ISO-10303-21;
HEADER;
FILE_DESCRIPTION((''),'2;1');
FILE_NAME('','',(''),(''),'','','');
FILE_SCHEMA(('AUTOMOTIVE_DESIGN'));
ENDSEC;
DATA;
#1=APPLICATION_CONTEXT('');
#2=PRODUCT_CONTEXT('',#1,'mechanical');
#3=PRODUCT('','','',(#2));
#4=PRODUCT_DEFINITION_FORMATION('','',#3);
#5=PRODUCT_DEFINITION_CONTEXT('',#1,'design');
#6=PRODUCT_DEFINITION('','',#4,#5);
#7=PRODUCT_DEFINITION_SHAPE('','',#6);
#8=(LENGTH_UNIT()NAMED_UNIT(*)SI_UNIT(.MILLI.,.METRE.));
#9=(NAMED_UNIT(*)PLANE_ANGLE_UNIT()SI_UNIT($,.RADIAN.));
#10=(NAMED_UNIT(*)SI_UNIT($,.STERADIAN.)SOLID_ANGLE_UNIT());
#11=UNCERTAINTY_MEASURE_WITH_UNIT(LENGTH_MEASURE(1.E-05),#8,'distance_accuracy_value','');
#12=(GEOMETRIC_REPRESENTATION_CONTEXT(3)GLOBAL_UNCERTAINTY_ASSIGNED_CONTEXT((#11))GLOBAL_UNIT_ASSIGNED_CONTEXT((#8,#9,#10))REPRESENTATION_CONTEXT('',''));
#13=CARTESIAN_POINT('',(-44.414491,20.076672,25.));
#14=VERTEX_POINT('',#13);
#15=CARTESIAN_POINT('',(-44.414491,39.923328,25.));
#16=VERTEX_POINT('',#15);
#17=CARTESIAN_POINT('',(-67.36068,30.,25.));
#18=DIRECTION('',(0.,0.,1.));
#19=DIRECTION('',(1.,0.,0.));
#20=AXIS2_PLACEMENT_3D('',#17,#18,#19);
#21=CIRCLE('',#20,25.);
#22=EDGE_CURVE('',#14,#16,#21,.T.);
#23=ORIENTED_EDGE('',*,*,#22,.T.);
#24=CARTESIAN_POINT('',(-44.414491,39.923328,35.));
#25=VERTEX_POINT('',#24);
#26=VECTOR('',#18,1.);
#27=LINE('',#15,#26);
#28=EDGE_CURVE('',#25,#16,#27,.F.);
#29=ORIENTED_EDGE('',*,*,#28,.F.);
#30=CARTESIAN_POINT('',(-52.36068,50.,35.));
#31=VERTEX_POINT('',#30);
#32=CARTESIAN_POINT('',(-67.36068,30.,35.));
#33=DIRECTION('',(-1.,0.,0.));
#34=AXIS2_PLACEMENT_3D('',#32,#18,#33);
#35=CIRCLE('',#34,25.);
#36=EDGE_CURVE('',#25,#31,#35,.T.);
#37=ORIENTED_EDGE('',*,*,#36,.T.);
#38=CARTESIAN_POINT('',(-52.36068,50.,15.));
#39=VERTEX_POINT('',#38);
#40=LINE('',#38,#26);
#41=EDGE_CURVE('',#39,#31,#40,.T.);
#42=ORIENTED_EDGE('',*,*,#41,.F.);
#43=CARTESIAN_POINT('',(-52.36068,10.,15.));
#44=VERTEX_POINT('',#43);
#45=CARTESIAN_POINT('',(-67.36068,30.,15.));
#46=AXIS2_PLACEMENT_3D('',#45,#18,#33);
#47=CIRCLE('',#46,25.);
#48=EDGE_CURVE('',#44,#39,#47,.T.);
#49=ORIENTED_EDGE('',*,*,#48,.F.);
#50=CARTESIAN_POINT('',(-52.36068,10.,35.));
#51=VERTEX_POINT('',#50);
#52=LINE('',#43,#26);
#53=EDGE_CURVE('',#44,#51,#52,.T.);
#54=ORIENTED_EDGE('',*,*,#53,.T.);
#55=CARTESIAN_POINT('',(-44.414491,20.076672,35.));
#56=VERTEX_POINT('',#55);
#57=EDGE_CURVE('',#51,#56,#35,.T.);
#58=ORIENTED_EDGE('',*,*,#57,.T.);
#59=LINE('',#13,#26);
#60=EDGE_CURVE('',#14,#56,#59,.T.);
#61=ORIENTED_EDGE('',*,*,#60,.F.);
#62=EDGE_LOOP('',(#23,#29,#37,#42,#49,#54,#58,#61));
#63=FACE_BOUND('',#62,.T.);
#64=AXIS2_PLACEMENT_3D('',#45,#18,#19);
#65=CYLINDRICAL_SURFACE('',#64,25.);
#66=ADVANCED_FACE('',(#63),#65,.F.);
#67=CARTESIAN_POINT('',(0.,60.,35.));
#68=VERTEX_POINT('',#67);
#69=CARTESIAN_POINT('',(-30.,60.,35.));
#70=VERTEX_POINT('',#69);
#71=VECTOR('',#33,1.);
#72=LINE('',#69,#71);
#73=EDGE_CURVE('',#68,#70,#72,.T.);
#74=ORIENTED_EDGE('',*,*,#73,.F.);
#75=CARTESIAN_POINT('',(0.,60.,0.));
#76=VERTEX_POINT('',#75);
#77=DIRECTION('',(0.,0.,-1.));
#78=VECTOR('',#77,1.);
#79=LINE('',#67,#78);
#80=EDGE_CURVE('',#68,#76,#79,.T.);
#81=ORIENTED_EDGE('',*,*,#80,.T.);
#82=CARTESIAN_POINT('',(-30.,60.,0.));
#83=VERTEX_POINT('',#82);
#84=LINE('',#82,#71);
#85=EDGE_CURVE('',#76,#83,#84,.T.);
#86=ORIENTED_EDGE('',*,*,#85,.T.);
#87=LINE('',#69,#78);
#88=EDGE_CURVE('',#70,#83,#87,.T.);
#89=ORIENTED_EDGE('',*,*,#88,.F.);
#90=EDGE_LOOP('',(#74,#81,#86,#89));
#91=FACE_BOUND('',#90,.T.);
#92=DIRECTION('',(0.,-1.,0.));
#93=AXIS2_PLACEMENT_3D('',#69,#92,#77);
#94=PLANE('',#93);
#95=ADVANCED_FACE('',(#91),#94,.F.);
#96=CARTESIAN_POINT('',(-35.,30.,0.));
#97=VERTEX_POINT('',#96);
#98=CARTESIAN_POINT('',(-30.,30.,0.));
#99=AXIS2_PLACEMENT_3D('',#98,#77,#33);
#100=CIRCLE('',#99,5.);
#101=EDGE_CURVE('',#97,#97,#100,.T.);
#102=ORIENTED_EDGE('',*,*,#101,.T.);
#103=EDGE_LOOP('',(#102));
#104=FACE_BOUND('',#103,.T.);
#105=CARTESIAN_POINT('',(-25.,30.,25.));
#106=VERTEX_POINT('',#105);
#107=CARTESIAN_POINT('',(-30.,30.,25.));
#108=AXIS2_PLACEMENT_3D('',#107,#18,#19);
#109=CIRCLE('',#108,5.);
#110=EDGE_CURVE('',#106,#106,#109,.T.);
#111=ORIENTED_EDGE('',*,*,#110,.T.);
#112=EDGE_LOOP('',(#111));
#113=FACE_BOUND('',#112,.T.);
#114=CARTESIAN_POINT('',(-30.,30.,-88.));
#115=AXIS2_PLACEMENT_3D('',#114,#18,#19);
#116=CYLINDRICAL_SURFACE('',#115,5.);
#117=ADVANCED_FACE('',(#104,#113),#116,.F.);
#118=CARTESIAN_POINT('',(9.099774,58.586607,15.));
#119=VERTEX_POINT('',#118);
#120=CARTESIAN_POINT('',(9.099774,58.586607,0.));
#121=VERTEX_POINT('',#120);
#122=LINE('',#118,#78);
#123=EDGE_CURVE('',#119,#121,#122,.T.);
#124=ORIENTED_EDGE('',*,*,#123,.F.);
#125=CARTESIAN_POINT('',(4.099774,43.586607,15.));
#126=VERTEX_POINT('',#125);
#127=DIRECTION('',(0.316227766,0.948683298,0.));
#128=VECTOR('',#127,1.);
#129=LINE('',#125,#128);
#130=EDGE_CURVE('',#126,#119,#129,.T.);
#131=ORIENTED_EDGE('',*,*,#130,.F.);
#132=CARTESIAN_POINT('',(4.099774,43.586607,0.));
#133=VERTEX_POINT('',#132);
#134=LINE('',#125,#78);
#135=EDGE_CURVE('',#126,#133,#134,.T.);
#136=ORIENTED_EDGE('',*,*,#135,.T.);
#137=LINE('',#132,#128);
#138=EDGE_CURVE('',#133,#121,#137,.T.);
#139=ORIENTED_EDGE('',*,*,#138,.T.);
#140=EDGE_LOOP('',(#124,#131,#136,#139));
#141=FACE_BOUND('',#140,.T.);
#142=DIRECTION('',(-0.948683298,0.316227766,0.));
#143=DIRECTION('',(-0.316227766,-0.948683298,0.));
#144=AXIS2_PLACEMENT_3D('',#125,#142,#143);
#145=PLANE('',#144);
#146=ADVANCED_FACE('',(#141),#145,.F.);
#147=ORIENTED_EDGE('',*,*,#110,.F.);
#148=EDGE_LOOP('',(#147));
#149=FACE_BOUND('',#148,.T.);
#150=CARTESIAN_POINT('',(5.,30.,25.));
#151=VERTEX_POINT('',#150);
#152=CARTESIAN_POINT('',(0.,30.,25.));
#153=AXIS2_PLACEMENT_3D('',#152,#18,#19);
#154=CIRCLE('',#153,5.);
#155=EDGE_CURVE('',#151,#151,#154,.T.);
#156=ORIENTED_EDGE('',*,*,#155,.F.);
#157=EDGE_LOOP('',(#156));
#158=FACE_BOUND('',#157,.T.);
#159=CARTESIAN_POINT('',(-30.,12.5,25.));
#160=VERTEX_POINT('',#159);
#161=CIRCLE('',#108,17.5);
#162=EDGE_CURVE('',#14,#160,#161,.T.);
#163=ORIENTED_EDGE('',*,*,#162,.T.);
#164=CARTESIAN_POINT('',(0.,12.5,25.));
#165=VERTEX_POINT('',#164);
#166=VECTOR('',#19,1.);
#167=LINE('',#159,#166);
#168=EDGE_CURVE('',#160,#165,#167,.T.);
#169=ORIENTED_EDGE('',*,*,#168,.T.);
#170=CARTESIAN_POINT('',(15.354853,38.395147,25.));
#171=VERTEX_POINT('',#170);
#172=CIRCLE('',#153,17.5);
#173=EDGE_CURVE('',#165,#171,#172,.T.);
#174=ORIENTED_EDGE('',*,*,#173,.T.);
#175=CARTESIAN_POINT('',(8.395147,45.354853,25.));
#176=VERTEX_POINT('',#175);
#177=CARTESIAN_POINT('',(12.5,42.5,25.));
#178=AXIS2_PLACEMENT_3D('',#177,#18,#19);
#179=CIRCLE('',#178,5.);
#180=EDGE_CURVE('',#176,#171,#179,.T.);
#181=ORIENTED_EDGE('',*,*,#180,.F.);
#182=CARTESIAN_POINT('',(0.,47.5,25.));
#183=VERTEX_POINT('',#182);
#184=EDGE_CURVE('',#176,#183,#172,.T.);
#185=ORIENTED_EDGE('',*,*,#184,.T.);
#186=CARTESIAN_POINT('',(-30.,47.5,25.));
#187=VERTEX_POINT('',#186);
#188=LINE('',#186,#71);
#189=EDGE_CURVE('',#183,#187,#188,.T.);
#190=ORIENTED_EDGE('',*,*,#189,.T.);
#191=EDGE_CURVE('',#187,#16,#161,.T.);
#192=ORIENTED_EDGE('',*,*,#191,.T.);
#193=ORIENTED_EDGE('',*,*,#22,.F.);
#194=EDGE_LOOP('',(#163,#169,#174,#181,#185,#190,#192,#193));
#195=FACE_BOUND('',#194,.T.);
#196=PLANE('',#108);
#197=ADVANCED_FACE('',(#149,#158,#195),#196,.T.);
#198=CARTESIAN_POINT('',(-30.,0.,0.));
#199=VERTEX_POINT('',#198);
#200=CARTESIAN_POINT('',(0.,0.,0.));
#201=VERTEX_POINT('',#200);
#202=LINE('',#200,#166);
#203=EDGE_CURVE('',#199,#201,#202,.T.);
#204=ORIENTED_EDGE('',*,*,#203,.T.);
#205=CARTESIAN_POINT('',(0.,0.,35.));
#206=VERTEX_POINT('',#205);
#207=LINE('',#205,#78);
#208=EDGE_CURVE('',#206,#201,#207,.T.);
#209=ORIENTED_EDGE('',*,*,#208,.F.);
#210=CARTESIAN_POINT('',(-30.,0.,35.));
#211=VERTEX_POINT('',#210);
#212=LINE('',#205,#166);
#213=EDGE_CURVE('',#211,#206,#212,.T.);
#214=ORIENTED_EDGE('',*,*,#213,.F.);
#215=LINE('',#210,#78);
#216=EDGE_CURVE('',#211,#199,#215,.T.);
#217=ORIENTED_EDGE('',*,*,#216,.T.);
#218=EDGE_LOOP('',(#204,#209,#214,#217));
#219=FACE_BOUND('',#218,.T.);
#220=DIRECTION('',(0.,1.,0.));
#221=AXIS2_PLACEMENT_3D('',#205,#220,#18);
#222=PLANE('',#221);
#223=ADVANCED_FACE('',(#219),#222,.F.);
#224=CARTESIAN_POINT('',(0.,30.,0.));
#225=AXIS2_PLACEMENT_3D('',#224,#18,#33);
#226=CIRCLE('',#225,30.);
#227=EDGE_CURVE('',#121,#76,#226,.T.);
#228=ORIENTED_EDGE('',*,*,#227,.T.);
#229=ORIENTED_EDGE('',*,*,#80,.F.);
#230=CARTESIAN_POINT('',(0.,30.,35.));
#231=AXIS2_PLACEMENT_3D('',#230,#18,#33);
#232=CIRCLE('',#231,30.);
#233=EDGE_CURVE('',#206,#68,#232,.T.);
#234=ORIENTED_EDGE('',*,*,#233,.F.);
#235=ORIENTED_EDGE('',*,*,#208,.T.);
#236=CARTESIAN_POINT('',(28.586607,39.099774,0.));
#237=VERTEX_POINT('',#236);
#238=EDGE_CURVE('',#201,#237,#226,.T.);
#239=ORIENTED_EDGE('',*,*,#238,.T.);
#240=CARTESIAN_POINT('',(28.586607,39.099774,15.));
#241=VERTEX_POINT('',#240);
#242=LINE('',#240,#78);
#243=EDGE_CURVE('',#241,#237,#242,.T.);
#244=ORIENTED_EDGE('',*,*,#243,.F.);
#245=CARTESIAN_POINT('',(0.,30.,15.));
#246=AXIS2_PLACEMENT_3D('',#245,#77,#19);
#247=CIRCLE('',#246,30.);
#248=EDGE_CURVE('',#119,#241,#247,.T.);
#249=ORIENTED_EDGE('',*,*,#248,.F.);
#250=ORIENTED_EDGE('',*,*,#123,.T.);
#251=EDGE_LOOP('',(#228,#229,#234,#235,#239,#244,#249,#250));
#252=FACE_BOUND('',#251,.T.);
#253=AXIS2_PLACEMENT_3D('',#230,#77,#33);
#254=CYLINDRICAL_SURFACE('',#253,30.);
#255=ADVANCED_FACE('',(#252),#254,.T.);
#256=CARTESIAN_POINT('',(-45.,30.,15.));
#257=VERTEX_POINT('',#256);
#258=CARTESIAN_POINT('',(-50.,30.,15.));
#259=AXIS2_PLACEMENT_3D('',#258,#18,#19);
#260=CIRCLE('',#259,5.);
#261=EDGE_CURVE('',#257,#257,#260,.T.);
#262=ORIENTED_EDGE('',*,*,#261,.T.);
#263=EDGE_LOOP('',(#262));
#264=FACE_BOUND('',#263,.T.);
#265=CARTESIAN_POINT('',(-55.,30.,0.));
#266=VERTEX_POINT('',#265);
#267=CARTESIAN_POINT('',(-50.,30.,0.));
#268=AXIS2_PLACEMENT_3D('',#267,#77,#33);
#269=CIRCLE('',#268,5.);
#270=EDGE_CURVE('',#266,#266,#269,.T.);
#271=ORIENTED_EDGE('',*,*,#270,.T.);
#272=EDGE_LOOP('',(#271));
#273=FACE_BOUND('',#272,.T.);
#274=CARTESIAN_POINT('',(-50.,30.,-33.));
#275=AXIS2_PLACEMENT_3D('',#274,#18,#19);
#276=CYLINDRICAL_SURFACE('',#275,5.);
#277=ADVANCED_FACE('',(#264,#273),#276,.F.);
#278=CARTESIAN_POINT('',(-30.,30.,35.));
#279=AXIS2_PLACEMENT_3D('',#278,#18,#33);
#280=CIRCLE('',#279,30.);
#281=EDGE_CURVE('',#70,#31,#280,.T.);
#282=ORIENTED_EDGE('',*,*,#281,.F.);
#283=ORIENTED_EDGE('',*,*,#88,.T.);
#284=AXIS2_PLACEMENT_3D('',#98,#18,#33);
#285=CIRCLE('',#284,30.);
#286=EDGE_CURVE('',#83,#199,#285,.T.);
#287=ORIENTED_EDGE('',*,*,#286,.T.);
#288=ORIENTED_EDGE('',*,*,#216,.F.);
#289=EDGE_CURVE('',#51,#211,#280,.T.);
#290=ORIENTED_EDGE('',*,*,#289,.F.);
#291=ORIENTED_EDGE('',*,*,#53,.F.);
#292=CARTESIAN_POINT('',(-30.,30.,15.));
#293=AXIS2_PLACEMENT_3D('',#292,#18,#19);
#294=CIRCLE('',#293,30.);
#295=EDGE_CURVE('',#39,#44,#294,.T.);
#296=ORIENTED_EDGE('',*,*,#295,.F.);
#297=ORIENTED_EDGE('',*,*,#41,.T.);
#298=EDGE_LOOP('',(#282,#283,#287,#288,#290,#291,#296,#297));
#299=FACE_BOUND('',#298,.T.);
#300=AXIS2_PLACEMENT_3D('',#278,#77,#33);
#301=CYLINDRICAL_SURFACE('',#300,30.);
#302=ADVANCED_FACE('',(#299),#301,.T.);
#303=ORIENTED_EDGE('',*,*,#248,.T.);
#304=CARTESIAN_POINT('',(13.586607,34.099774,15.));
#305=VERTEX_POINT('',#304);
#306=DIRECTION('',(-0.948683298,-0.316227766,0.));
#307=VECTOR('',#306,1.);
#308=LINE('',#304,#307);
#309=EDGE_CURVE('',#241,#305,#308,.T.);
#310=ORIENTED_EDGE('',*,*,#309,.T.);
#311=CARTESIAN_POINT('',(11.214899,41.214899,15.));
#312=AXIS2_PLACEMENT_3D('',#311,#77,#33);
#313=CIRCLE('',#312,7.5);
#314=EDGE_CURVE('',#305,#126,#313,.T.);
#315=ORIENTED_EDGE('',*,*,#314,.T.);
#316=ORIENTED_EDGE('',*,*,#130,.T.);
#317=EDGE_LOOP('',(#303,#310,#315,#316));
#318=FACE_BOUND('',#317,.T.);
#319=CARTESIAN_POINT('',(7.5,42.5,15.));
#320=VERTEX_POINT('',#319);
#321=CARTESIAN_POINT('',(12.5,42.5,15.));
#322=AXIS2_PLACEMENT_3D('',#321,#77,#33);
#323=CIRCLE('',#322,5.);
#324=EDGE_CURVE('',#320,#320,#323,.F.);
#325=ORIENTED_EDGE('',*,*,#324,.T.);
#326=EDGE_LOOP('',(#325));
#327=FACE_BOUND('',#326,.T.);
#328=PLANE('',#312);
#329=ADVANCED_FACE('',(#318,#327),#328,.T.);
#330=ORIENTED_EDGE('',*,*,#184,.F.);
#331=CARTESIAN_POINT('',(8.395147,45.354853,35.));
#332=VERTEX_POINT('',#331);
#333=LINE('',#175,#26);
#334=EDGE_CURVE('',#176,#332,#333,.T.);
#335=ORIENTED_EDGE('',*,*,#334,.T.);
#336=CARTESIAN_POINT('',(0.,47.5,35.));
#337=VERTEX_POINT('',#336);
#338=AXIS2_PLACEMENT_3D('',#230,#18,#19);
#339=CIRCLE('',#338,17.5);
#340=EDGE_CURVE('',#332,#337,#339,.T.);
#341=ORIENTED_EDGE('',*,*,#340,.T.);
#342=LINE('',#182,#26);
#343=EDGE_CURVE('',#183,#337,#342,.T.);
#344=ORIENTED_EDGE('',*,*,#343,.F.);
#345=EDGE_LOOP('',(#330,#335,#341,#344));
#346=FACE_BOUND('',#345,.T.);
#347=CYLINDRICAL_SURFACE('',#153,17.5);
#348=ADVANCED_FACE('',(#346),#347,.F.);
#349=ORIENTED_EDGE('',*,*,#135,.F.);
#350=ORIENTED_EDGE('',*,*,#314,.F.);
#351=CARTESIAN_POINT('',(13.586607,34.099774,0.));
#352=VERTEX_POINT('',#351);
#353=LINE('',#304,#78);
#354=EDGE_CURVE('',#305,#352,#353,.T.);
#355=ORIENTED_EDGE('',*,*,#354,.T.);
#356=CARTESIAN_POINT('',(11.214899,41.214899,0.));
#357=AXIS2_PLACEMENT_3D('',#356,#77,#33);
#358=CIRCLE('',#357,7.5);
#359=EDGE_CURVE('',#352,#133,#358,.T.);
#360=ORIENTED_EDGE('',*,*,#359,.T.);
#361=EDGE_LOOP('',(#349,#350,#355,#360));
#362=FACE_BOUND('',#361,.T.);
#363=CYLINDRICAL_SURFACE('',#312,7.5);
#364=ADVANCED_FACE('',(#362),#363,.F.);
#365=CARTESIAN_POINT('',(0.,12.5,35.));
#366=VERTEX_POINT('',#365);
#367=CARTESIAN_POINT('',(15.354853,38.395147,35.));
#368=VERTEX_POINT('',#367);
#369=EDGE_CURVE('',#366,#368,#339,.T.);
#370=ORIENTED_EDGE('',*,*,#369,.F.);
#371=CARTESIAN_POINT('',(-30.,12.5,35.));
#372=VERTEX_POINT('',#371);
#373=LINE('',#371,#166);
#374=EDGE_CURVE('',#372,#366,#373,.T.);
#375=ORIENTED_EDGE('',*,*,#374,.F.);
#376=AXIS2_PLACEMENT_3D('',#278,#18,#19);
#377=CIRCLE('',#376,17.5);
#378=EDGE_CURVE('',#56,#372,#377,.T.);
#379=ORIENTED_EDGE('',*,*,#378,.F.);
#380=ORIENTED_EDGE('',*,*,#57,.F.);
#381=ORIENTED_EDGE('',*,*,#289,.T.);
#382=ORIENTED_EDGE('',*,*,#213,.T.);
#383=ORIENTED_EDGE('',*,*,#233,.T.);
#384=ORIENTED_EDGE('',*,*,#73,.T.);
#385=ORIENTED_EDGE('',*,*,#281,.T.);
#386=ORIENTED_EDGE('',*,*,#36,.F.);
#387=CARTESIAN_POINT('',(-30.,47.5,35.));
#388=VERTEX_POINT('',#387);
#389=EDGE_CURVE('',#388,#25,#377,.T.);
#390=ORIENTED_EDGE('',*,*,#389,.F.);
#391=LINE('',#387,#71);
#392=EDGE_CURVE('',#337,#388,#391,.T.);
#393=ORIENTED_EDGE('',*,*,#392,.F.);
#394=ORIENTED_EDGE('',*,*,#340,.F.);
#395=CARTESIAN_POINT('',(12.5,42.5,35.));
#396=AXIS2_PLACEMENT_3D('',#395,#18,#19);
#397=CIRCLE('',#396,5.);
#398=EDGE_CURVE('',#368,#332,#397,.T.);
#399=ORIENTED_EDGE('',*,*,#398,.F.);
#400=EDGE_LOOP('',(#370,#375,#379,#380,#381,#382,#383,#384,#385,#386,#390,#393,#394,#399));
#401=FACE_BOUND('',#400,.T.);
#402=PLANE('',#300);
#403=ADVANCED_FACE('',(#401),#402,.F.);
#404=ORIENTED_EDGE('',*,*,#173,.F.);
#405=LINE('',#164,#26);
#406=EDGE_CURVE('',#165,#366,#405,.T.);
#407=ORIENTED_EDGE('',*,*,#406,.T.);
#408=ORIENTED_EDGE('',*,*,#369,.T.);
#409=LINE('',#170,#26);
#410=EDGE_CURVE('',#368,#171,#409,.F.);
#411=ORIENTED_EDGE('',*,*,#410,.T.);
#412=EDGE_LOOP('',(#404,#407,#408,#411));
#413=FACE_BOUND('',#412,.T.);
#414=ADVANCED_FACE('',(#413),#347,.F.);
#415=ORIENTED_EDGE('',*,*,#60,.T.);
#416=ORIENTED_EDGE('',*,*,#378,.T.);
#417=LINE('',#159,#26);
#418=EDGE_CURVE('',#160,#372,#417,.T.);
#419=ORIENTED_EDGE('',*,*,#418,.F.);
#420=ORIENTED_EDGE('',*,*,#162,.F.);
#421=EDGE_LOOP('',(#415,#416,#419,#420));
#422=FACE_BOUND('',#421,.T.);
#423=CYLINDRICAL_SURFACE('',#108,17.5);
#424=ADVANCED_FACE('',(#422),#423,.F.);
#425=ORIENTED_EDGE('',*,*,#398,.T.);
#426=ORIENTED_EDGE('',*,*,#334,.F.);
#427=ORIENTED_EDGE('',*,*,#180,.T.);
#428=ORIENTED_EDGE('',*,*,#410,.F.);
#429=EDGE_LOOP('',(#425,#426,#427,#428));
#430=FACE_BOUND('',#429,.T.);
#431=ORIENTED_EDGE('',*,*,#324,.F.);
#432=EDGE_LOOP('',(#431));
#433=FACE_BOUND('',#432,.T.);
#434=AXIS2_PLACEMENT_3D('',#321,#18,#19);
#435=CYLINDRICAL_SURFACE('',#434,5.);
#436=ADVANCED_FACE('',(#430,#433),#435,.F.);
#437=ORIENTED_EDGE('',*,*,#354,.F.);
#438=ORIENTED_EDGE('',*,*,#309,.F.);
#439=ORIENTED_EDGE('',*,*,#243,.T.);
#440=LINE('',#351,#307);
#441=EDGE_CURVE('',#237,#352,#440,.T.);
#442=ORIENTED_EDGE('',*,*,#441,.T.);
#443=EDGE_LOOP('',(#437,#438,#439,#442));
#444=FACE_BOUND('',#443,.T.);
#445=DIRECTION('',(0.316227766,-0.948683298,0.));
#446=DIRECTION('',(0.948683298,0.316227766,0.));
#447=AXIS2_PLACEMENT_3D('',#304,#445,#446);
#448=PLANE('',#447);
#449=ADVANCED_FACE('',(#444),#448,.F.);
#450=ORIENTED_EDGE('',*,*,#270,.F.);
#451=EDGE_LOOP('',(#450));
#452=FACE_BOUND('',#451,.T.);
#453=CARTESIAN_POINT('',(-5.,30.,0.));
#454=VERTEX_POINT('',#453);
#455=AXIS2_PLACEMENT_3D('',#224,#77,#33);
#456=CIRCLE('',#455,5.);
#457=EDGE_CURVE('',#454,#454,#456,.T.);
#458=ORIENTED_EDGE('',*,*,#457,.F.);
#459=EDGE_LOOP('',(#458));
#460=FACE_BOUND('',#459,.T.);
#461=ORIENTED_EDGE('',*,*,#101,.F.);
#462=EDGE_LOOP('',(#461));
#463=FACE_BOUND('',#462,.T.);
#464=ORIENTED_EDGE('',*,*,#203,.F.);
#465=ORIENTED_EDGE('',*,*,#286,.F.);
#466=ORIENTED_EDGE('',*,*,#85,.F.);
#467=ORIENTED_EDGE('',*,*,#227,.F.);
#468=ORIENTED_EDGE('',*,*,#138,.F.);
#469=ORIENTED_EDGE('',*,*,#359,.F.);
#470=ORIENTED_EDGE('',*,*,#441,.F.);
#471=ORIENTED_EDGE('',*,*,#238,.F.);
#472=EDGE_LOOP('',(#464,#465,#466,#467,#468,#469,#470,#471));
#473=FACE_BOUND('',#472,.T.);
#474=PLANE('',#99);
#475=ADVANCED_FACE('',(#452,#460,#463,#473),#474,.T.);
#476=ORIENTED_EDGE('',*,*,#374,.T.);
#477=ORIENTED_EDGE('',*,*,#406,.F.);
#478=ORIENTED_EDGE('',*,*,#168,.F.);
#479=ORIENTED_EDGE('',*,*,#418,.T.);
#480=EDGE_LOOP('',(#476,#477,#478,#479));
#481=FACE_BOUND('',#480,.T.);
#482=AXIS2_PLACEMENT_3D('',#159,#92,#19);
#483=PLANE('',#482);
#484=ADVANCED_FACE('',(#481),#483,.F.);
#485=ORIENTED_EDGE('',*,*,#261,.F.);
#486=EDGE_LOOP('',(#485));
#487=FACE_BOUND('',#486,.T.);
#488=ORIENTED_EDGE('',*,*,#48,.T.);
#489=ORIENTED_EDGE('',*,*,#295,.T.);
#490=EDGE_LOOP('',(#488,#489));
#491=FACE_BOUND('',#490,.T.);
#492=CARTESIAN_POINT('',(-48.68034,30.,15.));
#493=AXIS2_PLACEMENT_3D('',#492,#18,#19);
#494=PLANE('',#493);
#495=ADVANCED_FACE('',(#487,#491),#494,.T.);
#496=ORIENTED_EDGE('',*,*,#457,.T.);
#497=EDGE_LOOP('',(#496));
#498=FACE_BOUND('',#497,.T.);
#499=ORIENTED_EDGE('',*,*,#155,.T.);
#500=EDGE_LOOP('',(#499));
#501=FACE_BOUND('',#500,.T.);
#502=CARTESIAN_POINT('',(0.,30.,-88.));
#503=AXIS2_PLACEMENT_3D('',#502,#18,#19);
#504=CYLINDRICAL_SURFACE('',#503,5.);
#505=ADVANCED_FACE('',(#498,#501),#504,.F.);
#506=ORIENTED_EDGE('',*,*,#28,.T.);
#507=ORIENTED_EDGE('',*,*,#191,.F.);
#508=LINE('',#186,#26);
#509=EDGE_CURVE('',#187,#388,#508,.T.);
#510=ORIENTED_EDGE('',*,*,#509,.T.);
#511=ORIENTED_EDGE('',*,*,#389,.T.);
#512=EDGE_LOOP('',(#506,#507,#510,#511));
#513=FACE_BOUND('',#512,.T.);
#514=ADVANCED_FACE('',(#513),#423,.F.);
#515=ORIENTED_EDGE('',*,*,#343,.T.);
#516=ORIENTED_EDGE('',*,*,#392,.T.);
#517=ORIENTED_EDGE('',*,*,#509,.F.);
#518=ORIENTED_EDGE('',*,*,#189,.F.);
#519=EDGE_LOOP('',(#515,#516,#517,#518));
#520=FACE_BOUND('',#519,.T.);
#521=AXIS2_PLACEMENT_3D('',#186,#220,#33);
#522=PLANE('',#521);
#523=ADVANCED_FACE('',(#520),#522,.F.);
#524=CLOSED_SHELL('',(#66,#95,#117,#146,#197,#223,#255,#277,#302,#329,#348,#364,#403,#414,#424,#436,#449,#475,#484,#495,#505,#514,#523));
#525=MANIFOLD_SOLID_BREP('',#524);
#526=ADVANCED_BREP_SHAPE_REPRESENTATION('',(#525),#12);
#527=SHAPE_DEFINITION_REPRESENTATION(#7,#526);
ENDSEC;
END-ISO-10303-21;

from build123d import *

# Parameters (mm, degrees)
BOSS_EXTRUDE1_DEPTH = 35
CUT_EXTRUDE1_DEPTH  = 10
SKETCH4_R           = 5
CUT_EXTRUDE2_DEPTH  = 113
SKETCH5_R           = 5
CUT_EXTRUDE3_DEPTH  = 20
CUT_EXTRUDE4_DEPTH  = 20
SKETCH7_R           = 5
CUT_EXTRUDE5_DEPTH  = 48
CUT_EXTRUDE7_DEPTH  = 15


with BuildPart() as part:
    # Sketch1 → Boss-Extrude1 (new body)
    with BuildSketch(Plane.XY):
        with BuildLine():
            Line((-30, 60), (0, 60))
            ThreePointArc((0, 60), (30, 30), (0, 0))
            Line((0, 0), (-30, 0))
            ThreePointArc((-30, 0), (-60, 30), (-30, 60))
        make_face()
    extrude(amount=BOSS_EXTRUDE1_DEPTH)

    # Sketch2 → Cut-Extrude1 (cut)
    with BuildSketch(Plane.XY.offset(35)):
        with BuildLine():
            Line((-30, 47.5), (0, 47.5))
            ThreePointArc((0, 47.5), (17.5, 30), (0, 12.5))
            Line((0, 12.5), (-30, 12.5))
            ThreePointArc((-30, 12.5), (-47.5, 30), (-30, 47.5))
        make_face()
    extrude(amount=-CUT_EXTRUDE1_DEPTH, mode=Mode.SUBTRACT)

    # Sketch4 → Cut-Extrude2 (cut)
    with BuildSketch(Plane.XY.offset(25)):
        with Locations((-30, 30)):
            Circle(SKETCH4_R)
        with Locations((0, 30)):
            Circle(SKETCH4_R)
    extrude(amount=-CUT_EXTRUDE2_DEPTH, mode=Mode.SUBTRACT)

    # Sketch5 → Cut-Extrude3 (cut)
    with BuildSketch(Plane.XY.offset(35)):
        with Locations((12.5, 42.5)):
            Circle(SKETCH5_R)
    extrude(amount=-CUT_EXTRUDE3_DEPTH, mode=Mode.SUBTRACT)

    # Sketch6 → Cut-Extrude4 (cut)
    with BuildSketch(Plane.XY.offset(35)):
        with BuildLine():
            ThreePointArc((-52.360679775, 50), (-42.360679775, 30), (-52.360679775, 10))
            ThreePointArc((-52.360679775, 10), (-60, 30), (-52.360679775, 50))
        make_face()
    extrude(amount=-CUT_EXTRUDE4_DEPTH, mode=Mode.SUBTRACT)

    # Sketch7 → Cut-Extrude5 (cut)
    with BuildSketch(Plane.XY.offset(15)):
        with Locations((-50, 30)):
            Circle(SKETCH7_R)
    extrude(amount=-CUT_EXTRUDE5_DEPTH, mode=Mode.SUBTRACT)

    # Sketch8 → Cut-Extrude7 (cut)
    with BuildSketch(Plane(origin=(0, 0, 0), x_dir=(-1, 0, 0), z_dir=(0, 0, -1))):
        with BuildLine():
            Line((-4.099774192, 43.586607173), (-9.099774192, 58.586607173))
            ThreePointArc((-9.099774192, 58.586607173), (-21.213203436, 51.213203436), (-28.586607173, 39.099774192))
            Line((-28.586607173, 39.099774192), (-13.586607173, 34.099774192))
            ThreePointArc((-13.586607173, 34.099774192), (-5.911598069, 35.911598069), (-4.099774192, 43.586607173))
        make_face()
    extrude(amount=-CUT_EXTRUDE7_DEPTH, mode=Mode.SUBTRACT)


solid = part.part
